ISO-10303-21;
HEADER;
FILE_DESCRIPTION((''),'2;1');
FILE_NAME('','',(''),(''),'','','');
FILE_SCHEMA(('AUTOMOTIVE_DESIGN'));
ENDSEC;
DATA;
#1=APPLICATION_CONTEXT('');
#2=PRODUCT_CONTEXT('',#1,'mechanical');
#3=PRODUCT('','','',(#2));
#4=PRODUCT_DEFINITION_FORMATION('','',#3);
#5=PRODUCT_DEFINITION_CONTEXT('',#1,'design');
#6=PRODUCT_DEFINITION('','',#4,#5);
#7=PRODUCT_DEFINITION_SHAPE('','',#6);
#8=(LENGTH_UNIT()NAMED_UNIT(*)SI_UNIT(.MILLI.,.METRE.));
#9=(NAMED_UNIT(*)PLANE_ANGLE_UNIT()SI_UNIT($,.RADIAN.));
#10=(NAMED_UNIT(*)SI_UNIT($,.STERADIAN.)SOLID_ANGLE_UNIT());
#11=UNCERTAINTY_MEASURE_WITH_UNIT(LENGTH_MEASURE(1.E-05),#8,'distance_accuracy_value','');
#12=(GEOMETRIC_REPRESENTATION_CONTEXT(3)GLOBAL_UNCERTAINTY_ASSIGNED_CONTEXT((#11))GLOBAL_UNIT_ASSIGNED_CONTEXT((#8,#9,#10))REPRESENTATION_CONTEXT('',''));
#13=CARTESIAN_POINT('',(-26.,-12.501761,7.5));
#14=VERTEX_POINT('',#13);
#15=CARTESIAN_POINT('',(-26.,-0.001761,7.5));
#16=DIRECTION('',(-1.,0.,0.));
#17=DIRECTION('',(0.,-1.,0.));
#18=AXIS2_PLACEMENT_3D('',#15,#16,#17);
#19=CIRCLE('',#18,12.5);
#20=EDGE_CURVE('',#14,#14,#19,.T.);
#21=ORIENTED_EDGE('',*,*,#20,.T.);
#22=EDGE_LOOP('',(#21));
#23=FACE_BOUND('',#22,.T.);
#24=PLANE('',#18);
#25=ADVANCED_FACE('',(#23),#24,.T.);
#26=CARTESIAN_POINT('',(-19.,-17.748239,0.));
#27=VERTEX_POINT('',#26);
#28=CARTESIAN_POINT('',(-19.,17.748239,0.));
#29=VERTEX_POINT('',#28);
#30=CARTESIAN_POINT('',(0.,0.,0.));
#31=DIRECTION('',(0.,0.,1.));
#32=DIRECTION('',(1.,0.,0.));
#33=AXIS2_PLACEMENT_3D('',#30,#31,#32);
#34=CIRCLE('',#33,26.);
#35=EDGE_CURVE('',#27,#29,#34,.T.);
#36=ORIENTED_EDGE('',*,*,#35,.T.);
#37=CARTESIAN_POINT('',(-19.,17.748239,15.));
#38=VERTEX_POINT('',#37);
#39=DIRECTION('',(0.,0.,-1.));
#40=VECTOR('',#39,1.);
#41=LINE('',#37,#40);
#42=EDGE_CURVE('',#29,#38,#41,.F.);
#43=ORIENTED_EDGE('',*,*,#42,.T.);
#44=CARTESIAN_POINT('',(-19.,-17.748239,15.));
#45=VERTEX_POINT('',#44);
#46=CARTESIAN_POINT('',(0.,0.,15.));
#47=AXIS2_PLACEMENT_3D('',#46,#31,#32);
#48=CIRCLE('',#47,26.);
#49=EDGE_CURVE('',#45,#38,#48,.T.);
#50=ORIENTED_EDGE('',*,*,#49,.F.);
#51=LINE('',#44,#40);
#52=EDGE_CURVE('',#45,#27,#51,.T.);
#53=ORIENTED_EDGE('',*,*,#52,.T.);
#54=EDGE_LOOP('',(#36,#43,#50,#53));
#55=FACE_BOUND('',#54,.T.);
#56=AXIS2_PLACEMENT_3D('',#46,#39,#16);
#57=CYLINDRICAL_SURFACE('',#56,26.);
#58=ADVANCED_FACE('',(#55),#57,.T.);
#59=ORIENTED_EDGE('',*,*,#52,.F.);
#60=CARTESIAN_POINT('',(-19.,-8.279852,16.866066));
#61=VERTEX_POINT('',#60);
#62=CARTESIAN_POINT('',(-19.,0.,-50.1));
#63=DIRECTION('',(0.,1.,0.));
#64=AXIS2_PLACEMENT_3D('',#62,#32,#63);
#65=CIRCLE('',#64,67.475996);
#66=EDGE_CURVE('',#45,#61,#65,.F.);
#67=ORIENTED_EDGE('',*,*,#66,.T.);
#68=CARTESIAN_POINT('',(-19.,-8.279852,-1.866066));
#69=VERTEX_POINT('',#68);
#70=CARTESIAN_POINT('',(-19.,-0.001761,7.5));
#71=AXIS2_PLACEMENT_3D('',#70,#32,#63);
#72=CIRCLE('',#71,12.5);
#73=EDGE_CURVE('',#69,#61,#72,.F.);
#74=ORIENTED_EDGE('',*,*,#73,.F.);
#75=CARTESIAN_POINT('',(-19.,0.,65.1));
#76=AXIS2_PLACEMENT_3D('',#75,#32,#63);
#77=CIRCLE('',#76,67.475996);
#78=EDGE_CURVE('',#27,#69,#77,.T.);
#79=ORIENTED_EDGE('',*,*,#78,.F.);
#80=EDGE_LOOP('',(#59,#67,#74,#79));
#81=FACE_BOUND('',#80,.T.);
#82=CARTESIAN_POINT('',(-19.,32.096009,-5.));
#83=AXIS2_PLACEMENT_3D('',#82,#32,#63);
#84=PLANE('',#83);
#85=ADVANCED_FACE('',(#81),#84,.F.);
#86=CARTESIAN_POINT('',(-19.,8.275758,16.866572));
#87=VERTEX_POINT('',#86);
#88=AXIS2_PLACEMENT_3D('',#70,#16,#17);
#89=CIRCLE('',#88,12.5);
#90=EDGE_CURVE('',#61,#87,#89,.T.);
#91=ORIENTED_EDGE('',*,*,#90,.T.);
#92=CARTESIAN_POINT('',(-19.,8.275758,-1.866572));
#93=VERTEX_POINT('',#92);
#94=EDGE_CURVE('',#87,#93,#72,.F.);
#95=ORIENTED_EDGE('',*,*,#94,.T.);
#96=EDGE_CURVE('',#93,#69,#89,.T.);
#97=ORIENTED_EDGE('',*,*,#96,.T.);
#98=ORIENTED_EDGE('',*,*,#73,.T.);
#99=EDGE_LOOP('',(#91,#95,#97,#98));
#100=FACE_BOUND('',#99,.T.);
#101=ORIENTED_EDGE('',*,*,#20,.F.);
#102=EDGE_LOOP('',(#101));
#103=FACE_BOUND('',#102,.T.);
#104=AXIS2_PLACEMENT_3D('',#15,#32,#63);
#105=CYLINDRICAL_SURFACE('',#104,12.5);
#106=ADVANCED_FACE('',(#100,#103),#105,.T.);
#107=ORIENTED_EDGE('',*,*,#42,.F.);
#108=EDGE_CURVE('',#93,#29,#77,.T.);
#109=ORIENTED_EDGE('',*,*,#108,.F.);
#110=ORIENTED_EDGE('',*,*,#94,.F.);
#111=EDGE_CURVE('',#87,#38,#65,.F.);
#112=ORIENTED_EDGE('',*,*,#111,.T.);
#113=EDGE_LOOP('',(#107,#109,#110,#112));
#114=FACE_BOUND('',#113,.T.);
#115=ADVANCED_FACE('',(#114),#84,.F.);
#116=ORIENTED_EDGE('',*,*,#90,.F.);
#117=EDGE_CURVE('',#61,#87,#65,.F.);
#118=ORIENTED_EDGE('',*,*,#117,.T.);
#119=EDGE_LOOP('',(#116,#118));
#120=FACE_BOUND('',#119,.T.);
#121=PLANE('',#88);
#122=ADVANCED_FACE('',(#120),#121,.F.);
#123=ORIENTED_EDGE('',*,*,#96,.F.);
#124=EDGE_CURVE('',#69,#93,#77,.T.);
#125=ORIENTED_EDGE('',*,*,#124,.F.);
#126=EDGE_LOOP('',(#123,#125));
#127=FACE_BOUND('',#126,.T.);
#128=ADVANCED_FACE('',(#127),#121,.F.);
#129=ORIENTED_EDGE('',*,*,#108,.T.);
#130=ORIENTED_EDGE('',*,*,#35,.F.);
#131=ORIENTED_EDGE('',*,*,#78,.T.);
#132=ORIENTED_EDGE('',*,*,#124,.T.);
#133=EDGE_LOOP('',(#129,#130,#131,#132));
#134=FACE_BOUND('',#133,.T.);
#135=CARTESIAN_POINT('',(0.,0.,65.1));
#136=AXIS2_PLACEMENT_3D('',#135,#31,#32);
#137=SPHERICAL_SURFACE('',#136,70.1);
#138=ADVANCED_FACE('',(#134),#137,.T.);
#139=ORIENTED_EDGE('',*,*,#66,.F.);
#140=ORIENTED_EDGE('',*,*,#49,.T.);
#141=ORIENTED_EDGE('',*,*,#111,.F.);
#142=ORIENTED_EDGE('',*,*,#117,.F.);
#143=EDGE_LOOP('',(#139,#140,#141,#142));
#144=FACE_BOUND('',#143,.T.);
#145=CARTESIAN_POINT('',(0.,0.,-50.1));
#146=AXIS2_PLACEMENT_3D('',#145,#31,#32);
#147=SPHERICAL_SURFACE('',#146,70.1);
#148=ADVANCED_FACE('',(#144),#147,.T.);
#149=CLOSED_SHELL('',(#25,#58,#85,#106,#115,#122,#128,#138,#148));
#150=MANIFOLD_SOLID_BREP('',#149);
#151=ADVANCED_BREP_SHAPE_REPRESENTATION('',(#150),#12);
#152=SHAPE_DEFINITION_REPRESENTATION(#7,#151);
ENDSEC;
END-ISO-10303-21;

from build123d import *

# Parameters (mm, degrees)
ESQUISSE1_R           = 26
EXTRUSION1_DEPTH      = 15
D_ME1_FACE_RADIUS     = 26
D_ME1_HEIGHT          = 5
D_ME2_FACE_RADIUS     = 26
D_ME2_HEIGHT          = 5
EXTRUSION2_DEPTH      = 42.856899073
EXTRUSION2_DEPTH_BACK = 42.856899073
ESQUISSE2_W           = 16.897481419
ESQUISSE2_H           = 62.481047215
ESQUISSE3_R           = 12.5
EXTRUSION3_DEPTH      = 7


with BuildPart() as part:
    # Esquisse1 → Extrusion1 (new body)
    with BuildSketch(Plane.XY):
        Circle(ESQUISSE1_R)
    extrude(amount=EXTRUSION1_DEPTH)

    # Dôme1: a dome of height H over a round flat face of radius A is a cap of a sphere of radius (A * A + H * H) / (2 * H)
    d_me1_r = (D_ME1_FACE_RADIUS * D_ME1_FACE_RADIUS + D_ME1_HEIGHT * D_ME1_HEIGHT) / (2 * D_ME1_HEIGHT)
    d_me1_base = Plane((0, 0, 15), z_dir=(0, 0, 1))
    with Locations(d_me1_base.offset(D_ME1_HEIGHT - d_me1_r)):
        d_me1_ball = Sphere(d_me1_r, mode=Mode.PRIVATE)
    add(split(d_me1_ball, bisect_by=d_me1_base, keep=Keep.TOP, mode=Mode.PRIVATE))

    # Dôme2: a dome of height H over a round flat face of radius A is a cap of a sphere of radius (A * A + H * H) / (2 * H)
    d_me2_r = (D_ME2_FACE_RADIUS * D_ME2_FACE_RADIUS + D_ME2_HEIGHT * D_ME2_HEIGHT) / (2 * D_ME2_HEIGHT)
    d_me2_base = Plane((0, 0, 0), z_dir=(0, 0, -1))
    with Locations(d_me2_base.offset(D_ME2_HEIGHT - d_me2_r)):
        d_me2_ball = Sphere(d_me2_r, mode=Mode.PRIVATE)
    add(split(d_me2_ball, bisect_by=d_me2_base, keep=Keep.TOP, mode=Mode.PRIVATE))

    # Esquisse2 → Extrusion2 (cut, two sides: drawn at the far end of the back side and taken through both)
    with BuildSketch(Plane.XY.offset(-EXTRUSION2_DEPTH_BACK)):
        with Locations((-27.44874071, 0.855485378)):
            Rectangle(ESQUISSE2_W, ESQUISSE2_H)
    extrude(amount=EXTRUSION2_DEPTH + EXTRUSION2_DEPTH_BACK, mode=Mode.SUBTRACT)

    # Esquisse3 → Extrusion3 (add)
    with BuildSketch(Plane.ZY.offset(19)):
        with Locations(Location((7.5, -0.001760651, 0), (0, 0, 41.467990135))):
            Circle(ESQUISSE3_R)
    extrude(amount=EXTRUSION3_DEPTH)


solid = part.part
